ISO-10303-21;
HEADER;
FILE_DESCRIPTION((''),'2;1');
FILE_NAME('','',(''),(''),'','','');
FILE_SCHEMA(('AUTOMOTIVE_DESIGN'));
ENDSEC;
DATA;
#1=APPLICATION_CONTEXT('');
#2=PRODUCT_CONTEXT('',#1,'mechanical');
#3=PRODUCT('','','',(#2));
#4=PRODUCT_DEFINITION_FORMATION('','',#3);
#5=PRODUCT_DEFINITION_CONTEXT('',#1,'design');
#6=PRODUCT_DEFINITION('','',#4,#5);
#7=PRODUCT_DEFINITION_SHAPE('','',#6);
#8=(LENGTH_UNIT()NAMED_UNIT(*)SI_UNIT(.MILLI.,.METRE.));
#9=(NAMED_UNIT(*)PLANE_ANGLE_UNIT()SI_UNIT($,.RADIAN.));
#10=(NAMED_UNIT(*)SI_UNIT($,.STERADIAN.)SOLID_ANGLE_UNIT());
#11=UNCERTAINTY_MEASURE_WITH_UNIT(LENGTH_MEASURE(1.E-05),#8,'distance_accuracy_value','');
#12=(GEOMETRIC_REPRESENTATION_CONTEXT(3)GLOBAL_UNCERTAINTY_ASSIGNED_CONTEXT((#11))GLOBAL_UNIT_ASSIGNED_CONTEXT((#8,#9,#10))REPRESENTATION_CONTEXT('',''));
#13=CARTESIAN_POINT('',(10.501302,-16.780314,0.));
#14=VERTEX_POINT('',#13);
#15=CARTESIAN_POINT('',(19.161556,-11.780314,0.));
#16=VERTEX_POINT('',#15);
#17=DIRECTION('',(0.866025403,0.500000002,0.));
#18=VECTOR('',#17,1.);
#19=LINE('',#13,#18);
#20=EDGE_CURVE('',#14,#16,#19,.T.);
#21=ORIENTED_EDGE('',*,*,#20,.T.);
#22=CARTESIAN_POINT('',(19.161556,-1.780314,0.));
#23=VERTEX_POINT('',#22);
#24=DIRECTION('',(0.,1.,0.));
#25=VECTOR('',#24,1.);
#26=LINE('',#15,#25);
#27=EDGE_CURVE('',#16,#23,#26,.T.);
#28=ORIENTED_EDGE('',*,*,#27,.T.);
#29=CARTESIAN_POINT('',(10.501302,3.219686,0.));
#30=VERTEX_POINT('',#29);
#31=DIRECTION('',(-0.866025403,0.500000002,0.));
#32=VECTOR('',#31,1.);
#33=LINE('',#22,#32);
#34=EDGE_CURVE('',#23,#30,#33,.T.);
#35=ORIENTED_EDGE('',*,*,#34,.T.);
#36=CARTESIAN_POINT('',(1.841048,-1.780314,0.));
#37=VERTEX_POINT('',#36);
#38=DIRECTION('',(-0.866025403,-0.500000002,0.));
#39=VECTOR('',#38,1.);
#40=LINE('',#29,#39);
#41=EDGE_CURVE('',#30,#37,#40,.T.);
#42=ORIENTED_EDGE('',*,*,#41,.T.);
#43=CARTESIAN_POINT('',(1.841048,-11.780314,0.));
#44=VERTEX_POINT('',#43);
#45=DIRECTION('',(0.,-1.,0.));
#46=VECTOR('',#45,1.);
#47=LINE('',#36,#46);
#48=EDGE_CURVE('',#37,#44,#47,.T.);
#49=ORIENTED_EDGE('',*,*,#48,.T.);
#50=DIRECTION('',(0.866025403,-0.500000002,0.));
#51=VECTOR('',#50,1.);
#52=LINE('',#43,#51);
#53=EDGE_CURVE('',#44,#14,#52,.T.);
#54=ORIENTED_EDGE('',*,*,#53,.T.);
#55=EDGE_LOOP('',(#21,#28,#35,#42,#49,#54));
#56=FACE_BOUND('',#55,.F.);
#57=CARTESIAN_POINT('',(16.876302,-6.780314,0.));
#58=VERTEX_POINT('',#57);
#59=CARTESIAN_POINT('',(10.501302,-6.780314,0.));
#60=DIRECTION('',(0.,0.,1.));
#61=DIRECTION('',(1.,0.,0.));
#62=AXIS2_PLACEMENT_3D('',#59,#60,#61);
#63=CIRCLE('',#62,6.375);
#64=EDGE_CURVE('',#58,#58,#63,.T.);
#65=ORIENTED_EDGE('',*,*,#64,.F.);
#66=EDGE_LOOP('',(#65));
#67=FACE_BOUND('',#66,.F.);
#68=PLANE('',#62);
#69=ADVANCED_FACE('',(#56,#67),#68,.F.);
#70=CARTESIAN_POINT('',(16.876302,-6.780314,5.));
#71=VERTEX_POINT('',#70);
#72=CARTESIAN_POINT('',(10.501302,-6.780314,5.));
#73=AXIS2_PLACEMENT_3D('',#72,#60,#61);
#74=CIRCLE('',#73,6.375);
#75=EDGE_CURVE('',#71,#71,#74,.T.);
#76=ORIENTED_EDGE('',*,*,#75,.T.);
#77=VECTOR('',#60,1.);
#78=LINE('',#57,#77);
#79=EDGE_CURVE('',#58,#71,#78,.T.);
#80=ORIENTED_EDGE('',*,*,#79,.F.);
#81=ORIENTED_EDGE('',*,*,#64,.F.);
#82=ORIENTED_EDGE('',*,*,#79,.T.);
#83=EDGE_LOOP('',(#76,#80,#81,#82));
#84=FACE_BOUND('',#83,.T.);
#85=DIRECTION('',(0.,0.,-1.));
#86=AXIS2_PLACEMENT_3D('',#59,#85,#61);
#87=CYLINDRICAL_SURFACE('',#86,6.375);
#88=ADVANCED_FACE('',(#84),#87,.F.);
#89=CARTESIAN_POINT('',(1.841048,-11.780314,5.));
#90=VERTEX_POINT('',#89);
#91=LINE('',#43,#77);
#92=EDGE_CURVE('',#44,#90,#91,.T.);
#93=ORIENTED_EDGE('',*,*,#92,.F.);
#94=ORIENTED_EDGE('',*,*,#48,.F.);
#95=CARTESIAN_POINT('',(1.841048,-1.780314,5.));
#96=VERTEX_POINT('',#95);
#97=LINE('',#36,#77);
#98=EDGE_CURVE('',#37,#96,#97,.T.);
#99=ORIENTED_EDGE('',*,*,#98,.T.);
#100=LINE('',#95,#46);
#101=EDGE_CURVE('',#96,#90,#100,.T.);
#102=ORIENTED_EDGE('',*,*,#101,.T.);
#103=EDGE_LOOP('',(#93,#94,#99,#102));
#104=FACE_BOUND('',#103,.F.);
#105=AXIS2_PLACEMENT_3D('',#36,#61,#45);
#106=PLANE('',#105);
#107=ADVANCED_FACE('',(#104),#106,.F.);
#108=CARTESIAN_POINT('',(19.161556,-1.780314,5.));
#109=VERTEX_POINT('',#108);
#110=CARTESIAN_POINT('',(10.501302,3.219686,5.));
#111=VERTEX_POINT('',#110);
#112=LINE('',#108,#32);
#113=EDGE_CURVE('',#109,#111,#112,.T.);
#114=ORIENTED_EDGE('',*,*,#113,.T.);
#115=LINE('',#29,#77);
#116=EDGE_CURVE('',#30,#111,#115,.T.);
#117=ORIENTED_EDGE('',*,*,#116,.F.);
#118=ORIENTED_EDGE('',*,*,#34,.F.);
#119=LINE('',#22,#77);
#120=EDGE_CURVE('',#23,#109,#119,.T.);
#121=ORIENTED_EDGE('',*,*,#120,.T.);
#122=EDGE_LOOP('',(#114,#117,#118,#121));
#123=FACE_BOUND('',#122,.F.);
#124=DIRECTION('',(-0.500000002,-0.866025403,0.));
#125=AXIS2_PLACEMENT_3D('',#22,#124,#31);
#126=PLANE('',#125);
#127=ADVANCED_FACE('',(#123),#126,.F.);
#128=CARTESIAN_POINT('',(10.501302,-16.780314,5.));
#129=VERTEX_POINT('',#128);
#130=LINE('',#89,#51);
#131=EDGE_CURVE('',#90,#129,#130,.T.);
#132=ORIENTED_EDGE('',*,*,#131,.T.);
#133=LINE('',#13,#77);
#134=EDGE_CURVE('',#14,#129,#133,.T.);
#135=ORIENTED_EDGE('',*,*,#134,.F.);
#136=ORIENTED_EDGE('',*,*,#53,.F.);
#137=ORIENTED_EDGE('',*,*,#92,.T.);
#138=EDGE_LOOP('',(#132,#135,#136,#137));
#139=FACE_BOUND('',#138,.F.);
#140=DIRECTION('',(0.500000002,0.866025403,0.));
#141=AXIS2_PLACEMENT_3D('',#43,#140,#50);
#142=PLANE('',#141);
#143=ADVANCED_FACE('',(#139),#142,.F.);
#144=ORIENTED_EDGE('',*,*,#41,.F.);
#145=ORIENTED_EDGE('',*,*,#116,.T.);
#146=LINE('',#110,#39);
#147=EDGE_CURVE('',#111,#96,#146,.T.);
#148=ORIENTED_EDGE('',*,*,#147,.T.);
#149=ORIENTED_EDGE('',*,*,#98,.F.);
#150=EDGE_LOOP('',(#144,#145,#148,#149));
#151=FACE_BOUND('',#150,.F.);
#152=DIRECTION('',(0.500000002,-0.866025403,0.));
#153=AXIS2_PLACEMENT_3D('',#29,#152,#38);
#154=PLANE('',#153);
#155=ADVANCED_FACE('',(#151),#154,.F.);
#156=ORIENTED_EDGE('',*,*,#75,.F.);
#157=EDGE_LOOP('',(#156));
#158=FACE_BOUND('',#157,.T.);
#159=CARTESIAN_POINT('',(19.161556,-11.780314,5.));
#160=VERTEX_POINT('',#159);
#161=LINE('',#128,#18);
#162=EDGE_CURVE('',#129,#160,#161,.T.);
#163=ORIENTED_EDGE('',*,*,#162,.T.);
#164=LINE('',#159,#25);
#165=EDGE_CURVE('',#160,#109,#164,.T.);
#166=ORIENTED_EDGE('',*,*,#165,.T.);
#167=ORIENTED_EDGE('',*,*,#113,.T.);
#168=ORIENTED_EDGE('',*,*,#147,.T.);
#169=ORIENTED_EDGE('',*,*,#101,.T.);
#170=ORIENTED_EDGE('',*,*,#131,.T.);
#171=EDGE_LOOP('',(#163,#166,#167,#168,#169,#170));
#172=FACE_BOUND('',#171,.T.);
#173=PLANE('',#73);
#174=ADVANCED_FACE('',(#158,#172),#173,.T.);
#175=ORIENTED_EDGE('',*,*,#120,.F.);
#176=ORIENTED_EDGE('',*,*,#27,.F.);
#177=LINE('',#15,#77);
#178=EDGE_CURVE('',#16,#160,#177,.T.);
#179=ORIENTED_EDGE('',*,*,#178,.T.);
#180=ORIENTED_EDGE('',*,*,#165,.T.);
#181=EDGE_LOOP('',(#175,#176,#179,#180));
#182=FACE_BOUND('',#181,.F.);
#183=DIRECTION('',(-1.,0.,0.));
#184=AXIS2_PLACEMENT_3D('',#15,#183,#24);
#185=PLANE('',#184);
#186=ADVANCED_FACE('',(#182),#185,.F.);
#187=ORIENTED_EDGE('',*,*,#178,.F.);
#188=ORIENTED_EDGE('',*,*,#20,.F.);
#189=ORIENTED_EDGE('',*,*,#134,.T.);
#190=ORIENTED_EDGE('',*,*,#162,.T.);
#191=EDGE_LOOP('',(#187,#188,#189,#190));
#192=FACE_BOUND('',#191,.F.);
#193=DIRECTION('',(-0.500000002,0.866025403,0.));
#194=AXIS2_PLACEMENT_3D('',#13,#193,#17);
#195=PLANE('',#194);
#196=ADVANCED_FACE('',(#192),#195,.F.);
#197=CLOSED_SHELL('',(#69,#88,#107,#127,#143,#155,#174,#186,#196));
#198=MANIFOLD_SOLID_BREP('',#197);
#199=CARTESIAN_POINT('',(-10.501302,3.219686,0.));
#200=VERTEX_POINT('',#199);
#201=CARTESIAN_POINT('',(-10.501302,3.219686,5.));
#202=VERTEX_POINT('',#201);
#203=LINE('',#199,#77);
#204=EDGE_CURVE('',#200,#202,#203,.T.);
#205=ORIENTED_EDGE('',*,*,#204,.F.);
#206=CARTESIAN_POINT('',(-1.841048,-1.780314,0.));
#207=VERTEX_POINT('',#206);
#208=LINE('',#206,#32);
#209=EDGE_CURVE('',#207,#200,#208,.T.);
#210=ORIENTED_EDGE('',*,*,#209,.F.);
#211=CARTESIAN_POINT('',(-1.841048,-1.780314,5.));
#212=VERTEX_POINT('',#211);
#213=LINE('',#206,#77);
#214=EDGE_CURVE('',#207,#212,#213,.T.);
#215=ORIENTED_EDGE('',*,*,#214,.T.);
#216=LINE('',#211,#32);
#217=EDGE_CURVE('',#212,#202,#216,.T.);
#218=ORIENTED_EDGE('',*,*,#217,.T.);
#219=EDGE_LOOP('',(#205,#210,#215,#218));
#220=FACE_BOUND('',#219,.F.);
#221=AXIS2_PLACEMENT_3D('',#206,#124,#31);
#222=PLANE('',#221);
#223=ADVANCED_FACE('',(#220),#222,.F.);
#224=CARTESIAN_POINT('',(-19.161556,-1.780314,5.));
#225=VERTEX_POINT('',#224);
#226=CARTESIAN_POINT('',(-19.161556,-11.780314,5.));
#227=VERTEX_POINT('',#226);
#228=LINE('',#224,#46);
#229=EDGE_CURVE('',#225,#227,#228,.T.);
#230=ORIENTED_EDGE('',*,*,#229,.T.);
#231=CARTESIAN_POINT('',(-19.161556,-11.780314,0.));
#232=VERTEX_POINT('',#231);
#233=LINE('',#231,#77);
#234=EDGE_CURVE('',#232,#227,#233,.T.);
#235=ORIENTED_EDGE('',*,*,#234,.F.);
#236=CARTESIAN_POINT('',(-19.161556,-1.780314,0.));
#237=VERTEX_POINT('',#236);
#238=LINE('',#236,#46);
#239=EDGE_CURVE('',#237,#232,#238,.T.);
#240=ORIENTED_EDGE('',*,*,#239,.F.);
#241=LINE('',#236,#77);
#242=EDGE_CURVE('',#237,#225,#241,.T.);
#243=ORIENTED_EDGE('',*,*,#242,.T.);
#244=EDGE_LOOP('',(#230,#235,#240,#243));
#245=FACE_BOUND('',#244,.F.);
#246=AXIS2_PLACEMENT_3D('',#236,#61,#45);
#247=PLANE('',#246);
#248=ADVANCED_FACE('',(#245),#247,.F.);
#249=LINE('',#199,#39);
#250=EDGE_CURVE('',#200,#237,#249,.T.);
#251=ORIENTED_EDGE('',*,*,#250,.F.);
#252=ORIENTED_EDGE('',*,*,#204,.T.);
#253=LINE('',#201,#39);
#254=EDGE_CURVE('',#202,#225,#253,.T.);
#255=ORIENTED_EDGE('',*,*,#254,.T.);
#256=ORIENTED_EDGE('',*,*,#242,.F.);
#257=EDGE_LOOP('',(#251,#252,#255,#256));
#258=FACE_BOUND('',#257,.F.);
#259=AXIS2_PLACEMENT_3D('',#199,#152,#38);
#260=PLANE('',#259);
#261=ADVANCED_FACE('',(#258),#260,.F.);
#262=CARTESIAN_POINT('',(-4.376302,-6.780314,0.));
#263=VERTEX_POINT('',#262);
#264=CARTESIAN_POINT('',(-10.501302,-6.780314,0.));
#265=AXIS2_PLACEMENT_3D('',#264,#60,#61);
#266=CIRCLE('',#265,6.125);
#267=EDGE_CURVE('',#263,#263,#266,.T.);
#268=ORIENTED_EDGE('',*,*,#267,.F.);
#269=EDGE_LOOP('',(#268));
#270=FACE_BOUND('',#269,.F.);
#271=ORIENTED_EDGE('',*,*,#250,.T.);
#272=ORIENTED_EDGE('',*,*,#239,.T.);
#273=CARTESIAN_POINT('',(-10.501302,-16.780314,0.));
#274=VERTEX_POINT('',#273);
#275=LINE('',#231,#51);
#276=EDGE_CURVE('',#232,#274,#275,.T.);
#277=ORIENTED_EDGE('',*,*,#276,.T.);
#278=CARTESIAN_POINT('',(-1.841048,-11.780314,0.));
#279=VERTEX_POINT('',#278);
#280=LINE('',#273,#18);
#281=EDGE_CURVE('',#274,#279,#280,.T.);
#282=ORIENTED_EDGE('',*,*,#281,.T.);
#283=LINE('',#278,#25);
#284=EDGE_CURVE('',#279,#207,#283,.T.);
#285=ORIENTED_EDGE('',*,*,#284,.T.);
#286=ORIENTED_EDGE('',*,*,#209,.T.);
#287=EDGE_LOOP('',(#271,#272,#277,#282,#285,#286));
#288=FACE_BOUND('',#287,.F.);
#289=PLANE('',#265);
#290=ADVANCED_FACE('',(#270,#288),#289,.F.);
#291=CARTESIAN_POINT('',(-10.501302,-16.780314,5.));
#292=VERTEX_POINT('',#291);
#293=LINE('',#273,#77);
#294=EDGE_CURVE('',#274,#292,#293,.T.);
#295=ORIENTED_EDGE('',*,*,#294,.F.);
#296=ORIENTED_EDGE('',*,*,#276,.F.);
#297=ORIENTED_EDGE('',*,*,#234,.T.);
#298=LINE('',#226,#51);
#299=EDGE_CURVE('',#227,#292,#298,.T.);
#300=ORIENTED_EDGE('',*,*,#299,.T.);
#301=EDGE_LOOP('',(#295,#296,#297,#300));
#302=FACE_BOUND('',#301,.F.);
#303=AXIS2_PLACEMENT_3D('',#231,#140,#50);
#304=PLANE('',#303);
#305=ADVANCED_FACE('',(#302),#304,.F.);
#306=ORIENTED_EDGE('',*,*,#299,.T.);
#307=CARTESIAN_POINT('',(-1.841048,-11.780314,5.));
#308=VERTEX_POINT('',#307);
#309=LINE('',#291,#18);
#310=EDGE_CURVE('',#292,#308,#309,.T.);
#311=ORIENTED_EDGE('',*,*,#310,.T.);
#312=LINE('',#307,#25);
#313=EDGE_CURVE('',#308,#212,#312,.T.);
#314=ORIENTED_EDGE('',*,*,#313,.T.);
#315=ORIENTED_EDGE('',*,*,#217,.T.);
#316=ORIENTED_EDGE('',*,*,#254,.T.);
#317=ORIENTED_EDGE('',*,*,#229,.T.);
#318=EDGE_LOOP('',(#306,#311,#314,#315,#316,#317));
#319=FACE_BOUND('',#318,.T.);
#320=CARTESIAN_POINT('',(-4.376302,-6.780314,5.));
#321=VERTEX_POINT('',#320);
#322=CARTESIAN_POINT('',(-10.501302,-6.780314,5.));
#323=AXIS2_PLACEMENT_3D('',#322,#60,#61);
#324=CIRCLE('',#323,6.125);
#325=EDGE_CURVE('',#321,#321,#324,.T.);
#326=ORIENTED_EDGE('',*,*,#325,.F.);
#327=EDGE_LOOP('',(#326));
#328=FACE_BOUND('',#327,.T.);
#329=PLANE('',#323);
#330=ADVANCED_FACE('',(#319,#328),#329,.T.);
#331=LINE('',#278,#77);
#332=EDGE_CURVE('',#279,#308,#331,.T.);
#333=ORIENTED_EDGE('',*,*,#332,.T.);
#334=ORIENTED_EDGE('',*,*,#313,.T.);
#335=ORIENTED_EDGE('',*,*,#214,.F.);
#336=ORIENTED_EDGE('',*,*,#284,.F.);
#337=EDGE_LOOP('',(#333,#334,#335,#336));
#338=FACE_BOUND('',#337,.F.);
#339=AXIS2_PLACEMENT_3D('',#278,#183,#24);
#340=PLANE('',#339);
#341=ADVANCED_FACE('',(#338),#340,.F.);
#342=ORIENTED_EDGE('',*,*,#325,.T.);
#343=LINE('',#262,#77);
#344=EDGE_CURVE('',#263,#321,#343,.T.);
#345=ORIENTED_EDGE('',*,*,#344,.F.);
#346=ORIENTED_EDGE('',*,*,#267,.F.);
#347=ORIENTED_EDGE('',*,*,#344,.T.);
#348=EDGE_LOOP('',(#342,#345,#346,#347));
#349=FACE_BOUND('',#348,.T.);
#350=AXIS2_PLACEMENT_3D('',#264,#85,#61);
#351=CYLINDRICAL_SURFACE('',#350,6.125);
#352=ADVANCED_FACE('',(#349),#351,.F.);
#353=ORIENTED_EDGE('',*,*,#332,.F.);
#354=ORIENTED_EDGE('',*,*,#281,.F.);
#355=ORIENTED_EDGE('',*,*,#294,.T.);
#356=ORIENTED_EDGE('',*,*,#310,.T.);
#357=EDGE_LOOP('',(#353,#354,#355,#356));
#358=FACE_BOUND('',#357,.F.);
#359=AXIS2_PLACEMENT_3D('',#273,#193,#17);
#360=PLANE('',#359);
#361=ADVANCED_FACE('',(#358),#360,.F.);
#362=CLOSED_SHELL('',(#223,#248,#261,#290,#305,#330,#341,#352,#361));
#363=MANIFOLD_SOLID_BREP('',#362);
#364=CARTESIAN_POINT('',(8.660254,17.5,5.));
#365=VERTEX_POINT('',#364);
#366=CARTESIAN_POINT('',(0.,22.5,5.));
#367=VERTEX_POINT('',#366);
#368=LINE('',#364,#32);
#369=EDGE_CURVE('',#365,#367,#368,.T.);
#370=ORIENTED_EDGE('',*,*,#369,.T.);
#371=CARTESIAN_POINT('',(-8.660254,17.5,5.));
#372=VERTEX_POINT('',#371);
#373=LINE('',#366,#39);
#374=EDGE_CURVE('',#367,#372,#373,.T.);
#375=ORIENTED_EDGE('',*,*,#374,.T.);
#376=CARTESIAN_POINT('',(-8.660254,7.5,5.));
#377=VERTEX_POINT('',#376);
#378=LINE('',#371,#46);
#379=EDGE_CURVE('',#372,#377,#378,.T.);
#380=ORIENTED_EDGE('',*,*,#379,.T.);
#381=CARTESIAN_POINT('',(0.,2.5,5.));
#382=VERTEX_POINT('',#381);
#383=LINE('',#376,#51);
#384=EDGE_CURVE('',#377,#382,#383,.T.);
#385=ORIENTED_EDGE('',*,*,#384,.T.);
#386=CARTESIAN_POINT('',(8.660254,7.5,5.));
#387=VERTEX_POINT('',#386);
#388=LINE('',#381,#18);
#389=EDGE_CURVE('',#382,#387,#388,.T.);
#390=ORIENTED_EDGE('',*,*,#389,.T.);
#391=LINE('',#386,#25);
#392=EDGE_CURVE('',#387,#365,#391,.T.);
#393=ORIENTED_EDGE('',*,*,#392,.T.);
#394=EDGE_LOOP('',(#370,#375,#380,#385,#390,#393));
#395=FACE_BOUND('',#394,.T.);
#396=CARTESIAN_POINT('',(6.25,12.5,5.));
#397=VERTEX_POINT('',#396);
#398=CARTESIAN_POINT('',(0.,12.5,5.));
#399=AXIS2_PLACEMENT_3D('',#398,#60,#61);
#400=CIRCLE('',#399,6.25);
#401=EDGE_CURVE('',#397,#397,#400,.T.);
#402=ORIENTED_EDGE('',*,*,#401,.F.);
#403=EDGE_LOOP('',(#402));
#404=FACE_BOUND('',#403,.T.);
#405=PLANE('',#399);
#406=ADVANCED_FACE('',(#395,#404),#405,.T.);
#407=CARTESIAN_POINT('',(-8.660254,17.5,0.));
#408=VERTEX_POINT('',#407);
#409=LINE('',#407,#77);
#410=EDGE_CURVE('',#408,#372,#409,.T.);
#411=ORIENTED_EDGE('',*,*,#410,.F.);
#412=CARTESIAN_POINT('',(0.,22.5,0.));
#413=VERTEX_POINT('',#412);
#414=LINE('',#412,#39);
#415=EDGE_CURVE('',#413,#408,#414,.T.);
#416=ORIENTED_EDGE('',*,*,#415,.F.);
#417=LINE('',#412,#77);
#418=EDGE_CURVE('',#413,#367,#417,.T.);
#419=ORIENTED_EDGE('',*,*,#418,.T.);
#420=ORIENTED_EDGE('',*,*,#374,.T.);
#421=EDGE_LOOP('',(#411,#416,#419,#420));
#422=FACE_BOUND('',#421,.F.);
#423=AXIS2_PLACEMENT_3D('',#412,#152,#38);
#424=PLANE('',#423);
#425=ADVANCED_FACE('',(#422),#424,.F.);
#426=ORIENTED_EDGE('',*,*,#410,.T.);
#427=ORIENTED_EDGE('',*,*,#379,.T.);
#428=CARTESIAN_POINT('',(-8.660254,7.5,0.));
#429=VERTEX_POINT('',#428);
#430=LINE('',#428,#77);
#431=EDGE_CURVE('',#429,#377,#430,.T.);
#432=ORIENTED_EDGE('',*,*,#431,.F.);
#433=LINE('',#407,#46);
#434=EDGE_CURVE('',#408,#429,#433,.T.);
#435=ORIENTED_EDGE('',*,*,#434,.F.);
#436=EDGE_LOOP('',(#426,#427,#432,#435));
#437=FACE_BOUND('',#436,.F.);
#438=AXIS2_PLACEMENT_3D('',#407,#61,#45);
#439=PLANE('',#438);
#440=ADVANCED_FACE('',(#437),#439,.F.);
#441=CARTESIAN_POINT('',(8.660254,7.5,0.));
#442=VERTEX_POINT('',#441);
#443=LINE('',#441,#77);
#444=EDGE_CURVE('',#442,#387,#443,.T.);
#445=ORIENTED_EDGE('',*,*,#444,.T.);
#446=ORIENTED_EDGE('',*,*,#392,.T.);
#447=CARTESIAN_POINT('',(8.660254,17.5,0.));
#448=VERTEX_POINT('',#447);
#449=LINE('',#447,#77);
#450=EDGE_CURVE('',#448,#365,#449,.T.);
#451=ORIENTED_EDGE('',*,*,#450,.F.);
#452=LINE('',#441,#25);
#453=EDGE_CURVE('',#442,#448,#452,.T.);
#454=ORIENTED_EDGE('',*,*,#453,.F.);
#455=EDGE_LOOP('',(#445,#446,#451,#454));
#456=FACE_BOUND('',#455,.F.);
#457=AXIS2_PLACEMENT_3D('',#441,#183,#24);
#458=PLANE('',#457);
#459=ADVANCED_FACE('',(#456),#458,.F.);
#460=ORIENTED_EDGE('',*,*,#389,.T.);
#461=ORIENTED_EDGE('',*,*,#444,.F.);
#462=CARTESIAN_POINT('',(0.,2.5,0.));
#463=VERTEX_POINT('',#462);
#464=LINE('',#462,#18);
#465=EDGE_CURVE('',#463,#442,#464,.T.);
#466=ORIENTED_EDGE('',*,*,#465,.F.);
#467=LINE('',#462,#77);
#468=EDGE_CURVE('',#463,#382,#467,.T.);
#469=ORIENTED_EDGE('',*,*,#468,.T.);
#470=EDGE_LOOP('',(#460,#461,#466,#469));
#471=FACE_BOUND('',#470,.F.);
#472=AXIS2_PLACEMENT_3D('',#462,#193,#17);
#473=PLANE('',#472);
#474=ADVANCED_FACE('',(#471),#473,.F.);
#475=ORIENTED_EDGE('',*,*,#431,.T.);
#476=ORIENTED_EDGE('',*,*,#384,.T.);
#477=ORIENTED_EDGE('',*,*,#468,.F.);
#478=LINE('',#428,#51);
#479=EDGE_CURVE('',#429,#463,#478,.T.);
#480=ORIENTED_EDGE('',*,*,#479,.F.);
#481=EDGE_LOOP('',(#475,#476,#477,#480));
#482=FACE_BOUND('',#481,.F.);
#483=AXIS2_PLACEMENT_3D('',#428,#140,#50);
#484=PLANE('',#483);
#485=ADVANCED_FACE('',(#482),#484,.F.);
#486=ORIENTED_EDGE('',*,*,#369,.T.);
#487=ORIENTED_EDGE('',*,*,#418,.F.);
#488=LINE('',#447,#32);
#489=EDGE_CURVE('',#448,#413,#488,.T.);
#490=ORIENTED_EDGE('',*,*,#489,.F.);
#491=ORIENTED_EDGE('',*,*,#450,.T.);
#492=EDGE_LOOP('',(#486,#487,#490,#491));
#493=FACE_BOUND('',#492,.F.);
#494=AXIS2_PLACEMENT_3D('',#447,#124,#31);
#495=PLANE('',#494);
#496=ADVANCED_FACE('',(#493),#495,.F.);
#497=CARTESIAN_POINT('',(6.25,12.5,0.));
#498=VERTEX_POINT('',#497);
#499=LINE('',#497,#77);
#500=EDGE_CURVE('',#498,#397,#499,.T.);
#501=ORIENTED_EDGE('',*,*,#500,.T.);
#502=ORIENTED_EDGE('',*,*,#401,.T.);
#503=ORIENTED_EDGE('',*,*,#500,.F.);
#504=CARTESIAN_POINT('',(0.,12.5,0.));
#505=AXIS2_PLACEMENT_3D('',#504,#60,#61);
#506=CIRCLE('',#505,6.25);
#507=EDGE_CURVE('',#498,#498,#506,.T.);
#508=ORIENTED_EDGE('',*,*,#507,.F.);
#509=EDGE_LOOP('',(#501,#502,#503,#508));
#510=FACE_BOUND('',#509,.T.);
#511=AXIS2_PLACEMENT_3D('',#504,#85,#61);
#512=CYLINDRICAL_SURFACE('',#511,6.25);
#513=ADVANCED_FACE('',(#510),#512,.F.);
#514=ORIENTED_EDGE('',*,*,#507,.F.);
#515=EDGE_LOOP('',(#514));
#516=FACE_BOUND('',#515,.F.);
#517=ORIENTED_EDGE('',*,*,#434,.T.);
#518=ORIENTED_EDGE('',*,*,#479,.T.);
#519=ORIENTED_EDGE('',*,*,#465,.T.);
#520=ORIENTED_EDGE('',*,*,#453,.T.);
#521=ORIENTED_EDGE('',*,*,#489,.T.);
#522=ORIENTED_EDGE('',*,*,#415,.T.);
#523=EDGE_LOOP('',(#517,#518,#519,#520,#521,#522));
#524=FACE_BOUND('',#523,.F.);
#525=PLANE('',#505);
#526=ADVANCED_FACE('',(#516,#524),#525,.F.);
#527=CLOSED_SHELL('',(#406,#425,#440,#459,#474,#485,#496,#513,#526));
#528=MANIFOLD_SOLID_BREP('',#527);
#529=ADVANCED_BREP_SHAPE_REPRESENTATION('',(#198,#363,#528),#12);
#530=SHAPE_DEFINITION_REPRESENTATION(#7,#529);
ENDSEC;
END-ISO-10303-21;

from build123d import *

# Parameters (mm, degrees)
F0_R     = 6.25
F0_R_2   = 6.125
F0_R_3   = 6.375
F1_DEPTH = 5


with BuildPart() as f1:
    # F0 (on Top) → F1 (new body)
    with BuildSketch(Plane.XY):
        Polygon((-8.660254, 7.5), (0, 2.5), (8.660254, 7.5), (8.660254, 17.5), (0, 22.5), (-8.660254, 17.5), align=None)
        with Locations((0, 12.5)):
            Circle(F0_R, mode=Mode.SUBTRACT)
        Polygon((-10.501302, -16.780314), (-1.841048, -11.780314), (-1.841048, -1.780314), (-10.501302, 3.219686), (-19.161556, -1.780314), (-19.161556, -11.780314), align=None)
        with Locations((-10.501302, -6.780314)):
            Circle(F0_R_2, mode=Mode.SUBTRACT)
        Polygon((10.501302, -16.780314), (19.161556, -11.780314), (19.161556, -1.780314), (10.501302, 3.219686), (1.841048, -1.780314), (1.841048, -11.780314), align=None)
        with Locations((10.501302, -6.780314)):
            Circle(F0_R_3, mode=Mode.SUBTRACT)
    extrude(amount=F1_DEPTH)


solid = f1.part
